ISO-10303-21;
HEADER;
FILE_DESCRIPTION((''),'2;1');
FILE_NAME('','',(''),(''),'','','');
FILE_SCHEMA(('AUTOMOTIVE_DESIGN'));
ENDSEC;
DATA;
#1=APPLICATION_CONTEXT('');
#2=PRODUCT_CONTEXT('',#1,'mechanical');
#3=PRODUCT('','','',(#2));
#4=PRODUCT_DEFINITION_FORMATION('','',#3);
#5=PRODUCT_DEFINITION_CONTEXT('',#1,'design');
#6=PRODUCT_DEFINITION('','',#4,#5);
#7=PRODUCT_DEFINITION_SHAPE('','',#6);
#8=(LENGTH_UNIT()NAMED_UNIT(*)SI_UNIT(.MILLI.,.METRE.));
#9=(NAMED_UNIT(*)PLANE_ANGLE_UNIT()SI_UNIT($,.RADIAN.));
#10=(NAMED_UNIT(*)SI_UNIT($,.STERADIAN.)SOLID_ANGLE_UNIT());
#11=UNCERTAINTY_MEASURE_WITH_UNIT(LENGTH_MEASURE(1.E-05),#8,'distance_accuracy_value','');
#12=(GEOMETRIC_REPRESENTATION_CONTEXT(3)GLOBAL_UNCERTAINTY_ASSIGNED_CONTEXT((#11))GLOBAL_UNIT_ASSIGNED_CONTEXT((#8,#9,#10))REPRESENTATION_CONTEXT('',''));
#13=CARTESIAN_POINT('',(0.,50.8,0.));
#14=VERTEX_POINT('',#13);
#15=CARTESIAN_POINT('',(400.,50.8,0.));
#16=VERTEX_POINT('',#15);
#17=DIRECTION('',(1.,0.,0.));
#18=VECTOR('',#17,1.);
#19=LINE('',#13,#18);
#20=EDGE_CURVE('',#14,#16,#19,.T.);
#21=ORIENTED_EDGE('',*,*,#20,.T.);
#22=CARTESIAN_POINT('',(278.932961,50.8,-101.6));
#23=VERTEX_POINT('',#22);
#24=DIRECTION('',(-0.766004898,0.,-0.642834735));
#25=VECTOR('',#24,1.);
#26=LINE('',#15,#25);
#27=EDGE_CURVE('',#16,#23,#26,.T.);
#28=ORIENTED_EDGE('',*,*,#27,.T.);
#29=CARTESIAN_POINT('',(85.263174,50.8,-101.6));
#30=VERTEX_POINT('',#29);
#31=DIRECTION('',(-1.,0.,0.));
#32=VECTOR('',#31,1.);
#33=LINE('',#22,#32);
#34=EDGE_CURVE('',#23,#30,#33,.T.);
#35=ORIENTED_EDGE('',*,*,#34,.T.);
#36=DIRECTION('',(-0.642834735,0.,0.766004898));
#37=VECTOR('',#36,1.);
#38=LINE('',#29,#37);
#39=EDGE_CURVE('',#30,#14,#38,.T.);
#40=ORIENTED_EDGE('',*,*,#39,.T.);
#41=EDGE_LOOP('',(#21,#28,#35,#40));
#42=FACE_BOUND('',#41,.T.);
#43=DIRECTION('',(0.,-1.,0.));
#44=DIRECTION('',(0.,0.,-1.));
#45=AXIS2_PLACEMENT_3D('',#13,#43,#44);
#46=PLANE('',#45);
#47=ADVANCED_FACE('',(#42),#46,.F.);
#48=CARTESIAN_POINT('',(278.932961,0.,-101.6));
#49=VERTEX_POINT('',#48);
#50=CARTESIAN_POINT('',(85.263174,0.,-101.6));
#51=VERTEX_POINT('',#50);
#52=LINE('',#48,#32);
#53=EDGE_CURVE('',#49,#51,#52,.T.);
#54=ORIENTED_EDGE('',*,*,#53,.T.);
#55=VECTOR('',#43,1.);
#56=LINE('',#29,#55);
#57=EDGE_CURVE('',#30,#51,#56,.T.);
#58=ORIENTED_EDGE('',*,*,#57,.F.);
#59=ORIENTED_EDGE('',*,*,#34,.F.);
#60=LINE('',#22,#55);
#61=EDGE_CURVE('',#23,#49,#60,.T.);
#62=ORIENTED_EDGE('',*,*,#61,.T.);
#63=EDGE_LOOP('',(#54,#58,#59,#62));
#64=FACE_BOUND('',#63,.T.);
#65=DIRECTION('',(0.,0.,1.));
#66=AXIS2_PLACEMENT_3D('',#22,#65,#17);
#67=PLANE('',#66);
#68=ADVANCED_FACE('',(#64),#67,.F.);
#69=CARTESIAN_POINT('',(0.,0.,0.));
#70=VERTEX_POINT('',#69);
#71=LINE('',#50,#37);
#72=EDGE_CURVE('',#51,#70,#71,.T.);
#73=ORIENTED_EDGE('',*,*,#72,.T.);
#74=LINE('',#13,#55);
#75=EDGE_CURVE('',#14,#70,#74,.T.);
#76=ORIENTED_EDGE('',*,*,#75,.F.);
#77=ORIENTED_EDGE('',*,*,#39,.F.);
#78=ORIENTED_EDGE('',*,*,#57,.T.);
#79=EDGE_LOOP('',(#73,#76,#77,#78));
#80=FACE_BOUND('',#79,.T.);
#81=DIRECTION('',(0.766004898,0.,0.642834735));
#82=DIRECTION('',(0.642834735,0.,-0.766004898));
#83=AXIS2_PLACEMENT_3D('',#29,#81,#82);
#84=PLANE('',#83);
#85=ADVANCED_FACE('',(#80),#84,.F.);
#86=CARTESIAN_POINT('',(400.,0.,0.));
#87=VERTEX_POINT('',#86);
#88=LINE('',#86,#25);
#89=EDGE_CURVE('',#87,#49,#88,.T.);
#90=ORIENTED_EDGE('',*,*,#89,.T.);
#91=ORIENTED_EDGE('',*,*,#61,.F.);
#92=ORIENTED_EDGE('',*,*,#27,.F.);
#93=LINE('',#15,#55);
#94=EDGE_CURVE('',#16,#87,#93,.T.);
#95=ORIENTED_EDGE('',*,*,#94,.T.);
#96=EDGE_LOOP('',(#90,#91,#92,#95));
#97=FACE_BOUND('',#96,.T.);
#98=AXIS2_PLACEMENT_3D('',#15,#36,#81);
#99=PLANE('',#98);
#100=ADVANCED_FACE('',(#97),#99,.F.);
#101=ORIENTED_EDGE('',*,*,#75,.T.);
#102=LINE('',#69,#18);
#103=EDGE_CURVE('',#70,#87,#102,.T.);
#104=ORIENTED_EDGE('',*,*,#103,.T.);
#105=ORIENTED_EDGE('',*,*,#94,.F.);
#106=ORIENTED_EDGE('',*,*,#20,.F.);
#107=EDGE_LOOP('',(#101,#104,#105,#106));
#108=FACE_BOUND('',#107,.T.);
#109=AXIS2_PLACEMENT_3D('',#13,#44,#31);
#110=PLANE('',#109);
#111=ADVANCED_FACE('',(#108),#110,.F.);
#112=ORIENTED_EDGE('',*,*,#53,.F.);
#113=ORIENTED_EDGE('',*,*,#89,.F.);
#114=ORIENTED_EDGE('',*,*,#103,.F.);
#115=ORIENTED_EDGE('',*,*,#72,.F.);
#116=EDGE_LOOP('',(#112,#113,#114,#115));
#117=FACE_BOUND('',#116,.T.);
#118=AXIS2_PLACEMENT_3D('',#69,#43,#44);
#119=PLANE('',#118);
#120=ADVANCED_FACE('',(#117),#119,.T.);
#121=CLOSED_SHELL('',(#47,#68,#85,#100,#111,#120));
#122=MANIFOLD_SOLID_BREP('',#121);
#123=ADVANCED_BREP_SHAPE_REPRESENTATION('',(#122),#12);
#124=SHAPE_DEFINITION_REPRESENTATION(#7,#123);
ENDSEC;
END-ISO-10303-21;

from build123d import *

# Parameters (mm, degrees)
BOSS_EXTRUDE1_DEPTH = 50.8


with BuildPart() as part:
    # Sketch1 → Boss-Extrude1 (new body)
    with BuildSketch(Plane(origin=(0, 0, 0), x_dir=(1, 0, 0), z_dir=(0, 1, 0))):
        Polygon((0, 0), (400, 0), (278.932961343, 101.6), (85.263174143, 101.6), align=None)
    extrude(amount=BOSS_EXTRUDE1_DEPTH)


solid = part.part
